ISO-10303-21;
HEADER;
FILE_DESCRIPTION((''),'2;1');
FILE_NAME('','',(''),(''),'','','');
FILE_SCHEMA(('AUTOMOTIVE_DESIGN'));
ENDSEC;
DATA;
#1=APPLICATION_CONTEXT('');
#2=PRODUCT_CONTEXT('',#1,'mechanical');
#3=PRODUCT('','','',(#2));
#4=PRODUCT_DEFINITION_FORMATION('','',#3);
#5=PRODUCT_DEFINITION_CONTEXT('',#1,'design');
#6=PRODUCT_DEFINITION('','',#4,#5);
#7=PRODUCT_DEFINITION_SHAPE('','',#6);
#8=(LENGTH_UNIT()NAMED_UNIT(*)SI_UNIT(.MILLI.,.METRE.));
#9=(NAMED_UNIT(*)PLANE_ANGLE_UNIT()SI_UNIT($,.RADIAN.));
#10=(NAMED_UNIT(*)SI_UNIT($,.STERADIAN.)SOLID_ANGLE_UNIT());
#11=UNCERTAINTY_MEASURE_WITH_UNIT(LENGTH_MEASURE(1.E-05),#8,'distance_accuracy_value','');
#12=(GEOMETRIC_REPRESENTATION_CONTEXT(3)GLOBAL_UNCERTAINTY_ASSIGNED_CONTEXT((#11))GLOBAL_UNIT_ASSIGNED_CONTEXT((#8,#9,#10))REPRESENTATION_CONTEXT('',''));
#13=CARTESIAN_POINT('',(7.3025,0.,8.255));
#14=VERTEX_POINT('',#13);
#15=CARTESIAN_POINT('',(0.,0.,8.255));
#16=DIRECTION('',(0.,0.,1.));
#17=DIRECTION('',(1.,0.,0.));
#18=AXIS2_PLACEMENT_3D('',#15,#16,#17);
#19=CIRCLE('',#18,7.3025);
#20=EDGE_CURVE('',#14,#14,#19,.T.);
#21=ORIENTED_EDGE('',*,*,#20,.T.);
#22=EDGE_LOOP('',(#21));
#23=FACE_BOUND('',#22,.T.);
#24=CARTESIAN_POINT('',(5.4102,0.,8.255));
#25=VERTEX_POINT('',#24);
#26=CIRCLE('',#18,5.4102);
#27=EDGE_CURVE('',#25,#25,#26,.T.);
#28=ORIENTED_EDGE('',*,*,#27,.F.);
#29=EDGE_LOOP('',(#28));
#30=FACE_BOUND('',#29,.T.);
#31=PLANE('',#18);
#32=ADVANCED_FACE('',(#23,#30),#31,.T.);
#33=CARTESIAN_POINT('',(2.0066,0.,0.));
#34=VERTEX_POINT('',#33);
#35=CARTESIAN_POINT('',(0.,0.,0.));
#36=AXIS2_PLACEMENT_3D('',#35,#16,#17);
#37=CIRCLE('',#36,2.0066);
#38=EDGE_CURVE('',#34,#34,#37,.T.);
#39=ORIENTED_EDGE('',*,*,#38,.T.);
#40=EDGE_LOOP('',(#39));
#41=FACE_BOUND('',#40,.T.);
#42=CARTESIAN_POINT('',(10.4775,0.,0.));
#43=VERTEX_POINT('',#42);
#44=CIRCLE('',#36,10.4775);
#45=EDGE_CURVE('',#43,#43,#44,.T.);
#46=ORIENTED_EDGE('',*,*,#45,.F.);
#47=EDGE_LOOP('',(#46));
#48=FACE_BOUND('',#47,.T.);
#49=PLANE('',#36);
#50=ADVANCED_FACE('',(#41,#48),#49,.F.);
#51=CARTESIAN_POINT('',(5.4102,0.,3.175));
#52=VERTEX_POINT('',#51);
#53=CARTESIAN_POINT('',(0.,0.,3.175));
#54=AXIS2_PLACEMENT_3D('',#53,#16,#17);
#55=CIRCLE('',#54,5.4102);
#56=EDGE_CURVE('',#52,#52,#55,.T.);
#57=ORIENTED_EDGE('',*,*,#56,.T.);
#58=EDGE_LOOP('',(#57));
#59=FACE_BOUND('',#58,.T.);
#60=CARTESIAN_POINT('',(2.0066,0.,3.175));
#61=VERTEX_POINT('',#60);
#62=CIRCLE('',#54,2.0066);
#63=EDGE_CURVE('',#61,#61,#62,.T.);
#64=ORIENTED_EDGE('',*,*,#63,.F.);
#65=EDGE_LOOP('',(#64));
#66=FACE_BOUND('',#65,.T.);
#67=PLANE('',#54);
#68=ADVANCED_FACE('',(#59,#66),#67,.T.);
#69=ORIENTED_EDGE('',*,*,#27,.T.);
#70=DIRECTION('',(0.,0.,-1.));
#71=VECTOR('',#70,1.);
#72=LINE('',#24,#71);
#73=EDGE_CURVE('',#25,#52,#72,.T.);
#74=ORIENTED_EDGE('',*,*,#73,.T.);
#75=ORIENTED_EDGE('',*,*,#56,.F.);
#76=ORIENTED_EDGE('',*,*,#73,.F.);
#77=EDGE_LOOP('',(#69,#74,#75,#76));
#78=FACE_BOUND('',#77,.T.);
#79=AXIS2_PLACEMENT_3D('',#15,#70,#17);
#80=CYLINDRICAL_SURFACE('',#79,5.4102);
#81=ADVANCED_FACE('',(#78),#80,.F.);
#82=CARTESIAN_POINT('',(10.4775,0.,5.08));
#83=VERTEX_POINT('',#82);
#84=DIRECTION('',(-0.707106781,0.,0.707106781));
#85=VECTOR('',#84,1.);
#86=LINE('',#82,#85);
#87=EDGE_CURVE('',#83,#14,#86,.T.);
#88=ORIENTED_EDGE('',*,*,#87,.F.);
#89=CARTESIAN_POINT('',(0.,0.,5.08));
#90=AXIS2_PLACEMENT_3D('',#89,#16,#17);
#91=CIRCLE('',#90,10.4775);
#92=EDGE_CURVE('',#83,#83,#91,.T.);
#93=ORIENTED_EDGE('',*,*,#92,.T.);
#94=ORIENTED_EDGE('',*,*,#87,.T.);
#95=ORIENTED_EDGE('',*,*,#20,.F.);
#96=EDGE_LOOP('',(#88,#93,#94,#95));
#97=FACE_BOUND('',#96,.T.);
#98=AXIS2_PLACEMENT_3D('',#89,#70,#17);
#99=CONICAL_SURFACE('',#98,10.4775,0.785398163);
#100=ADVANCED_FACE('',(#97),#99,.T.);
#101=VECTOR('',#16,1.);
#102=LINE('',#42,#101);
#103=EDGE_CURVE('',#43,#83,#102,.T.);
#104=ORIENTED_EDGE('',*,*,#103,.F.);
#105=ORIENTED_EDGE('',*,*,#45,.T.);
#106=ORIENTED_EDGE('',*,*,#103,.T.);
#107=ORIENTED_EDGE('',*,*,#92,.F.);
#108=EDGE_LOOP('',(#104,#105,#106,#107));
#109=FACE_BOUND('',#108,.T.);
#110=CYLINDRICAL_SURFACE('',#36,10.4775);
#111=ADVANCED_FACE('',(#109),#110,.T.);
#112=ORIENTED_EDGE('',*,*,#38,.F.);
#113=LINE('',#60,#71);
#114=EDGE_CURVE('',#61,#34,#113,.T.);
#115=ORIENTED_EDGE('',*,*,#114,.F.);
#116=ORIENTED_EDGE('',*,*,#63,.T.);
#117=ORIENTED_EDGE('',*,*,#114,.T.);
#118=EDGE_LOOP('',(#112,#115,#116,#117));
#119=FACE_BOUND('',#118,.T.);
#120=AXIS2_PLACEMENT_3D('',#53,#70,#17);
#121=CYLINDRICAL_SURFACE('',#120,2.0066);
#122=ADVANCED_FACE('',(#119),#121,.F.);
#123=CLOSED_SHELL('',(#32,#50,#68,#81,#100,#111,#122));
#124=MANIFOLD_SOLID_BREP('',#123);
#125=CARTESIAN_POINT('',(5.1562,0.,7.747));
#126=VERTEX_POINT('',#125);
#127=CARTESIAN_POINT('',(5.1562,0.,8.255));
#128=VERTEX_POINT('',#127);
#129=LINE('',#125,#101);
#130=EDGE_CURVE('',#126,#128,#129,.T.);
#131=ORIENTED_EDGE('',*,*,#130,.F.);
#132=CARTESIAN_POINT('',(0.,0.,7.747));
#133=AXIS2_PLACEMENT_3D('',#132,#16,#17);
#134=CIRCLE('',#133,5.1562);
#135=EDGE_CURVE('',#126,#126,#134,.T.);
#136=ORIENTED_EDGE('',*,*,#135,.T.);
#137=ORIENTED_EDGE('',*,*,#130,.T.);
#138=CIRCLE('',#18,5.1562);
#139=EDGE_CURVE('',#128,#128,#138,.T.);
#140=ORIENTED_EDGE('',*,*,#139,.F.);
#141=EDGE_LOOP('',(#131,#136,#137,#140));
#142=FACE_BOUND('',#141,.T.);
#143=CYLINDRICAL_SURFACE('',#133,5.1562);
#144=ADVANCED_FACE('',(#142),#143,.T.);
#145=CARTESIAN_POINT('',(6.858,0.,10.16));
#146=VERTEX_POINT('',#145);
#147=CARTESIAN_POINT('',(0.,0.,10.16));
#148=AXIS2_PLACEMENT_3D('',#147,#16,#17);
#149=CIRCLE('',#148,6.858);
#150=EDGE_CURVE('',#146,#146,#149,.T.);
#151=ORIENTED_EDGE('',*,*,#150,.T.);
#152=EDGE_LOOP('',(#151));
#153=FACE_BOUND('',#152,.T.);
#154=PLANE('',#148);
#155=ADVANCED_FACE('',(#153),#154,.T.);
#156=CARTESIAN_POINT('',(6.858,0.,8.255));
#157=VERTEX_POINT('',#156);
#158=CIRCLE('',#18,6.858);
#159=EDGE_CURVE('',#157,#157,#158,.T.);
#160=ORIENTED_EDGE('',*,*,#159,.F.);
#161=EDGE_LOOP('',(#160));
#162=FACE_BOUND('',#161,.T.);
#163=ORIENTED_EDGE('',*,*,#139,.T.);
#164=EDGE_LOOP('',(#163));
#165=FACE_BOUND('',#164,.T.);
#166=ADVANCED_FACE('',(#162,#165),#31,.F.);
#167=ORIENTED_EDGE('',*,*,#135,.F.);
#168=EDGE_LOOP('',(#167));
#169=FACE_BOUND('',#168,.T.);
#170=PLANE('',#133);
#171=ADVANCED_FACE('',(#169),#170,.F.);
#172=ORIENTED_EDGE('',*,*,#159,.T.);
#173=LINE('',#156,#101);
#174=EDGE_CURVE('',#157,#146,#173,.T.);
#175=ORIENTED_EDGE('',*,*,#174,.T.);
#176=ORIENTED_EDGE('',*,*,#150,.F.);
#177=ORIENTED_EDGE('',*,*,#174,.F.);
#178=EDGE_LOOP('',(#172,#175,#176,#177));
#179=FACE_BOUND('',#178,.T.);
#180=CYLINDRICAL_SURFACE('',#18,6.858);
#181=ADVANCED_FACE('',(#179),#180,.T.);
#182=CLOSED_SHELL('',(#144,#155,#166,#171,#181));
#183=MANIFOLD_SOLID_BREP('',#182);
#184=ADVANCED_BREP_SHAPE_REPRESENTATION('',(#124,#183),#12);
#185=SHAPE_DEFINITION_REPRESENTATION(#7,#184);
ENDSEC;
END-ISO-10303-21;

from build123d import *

# Parameters (mm, degrees)
F2_SIZE = 3.175


with BuildPart() as f1:
    # F0 (on Front) → F1 (revolve)
    with BuildSketch(Plane.XZ):
        Polygon((2.0066, 3.175), (2.0066, 0), (10.4775, 0), (10.4775, 8.255), (5.4102, 8.255), (5.4102, 3.175), align=None)
    revolve(axis=Axis((0, 0, 4.1275), (0, 0, 1)))

    # F2
    f2_edges = [f1.edges().sort_by_distance(p)[0] for p in [
        (-10.4775, 0, 8.255),
    ]]
    chamfer(f2_edges, length=F2_SIZE)


with BuildPart() as f4:
    # F3 (on Front) → F4 (revolve)
    with BuildSketch(Plane.XZ):
        Polygon((0, 10.16), (0, 7.747), (5.1562, 7.747), (5.1562, 8.255), (6.858, 8.255), (6.858, 10.16), align=None)
    revolve(axis=Axis((0, 0, 8.9535), (0, 0, 1)))


solid = Compound([f1.part, f4.part])
